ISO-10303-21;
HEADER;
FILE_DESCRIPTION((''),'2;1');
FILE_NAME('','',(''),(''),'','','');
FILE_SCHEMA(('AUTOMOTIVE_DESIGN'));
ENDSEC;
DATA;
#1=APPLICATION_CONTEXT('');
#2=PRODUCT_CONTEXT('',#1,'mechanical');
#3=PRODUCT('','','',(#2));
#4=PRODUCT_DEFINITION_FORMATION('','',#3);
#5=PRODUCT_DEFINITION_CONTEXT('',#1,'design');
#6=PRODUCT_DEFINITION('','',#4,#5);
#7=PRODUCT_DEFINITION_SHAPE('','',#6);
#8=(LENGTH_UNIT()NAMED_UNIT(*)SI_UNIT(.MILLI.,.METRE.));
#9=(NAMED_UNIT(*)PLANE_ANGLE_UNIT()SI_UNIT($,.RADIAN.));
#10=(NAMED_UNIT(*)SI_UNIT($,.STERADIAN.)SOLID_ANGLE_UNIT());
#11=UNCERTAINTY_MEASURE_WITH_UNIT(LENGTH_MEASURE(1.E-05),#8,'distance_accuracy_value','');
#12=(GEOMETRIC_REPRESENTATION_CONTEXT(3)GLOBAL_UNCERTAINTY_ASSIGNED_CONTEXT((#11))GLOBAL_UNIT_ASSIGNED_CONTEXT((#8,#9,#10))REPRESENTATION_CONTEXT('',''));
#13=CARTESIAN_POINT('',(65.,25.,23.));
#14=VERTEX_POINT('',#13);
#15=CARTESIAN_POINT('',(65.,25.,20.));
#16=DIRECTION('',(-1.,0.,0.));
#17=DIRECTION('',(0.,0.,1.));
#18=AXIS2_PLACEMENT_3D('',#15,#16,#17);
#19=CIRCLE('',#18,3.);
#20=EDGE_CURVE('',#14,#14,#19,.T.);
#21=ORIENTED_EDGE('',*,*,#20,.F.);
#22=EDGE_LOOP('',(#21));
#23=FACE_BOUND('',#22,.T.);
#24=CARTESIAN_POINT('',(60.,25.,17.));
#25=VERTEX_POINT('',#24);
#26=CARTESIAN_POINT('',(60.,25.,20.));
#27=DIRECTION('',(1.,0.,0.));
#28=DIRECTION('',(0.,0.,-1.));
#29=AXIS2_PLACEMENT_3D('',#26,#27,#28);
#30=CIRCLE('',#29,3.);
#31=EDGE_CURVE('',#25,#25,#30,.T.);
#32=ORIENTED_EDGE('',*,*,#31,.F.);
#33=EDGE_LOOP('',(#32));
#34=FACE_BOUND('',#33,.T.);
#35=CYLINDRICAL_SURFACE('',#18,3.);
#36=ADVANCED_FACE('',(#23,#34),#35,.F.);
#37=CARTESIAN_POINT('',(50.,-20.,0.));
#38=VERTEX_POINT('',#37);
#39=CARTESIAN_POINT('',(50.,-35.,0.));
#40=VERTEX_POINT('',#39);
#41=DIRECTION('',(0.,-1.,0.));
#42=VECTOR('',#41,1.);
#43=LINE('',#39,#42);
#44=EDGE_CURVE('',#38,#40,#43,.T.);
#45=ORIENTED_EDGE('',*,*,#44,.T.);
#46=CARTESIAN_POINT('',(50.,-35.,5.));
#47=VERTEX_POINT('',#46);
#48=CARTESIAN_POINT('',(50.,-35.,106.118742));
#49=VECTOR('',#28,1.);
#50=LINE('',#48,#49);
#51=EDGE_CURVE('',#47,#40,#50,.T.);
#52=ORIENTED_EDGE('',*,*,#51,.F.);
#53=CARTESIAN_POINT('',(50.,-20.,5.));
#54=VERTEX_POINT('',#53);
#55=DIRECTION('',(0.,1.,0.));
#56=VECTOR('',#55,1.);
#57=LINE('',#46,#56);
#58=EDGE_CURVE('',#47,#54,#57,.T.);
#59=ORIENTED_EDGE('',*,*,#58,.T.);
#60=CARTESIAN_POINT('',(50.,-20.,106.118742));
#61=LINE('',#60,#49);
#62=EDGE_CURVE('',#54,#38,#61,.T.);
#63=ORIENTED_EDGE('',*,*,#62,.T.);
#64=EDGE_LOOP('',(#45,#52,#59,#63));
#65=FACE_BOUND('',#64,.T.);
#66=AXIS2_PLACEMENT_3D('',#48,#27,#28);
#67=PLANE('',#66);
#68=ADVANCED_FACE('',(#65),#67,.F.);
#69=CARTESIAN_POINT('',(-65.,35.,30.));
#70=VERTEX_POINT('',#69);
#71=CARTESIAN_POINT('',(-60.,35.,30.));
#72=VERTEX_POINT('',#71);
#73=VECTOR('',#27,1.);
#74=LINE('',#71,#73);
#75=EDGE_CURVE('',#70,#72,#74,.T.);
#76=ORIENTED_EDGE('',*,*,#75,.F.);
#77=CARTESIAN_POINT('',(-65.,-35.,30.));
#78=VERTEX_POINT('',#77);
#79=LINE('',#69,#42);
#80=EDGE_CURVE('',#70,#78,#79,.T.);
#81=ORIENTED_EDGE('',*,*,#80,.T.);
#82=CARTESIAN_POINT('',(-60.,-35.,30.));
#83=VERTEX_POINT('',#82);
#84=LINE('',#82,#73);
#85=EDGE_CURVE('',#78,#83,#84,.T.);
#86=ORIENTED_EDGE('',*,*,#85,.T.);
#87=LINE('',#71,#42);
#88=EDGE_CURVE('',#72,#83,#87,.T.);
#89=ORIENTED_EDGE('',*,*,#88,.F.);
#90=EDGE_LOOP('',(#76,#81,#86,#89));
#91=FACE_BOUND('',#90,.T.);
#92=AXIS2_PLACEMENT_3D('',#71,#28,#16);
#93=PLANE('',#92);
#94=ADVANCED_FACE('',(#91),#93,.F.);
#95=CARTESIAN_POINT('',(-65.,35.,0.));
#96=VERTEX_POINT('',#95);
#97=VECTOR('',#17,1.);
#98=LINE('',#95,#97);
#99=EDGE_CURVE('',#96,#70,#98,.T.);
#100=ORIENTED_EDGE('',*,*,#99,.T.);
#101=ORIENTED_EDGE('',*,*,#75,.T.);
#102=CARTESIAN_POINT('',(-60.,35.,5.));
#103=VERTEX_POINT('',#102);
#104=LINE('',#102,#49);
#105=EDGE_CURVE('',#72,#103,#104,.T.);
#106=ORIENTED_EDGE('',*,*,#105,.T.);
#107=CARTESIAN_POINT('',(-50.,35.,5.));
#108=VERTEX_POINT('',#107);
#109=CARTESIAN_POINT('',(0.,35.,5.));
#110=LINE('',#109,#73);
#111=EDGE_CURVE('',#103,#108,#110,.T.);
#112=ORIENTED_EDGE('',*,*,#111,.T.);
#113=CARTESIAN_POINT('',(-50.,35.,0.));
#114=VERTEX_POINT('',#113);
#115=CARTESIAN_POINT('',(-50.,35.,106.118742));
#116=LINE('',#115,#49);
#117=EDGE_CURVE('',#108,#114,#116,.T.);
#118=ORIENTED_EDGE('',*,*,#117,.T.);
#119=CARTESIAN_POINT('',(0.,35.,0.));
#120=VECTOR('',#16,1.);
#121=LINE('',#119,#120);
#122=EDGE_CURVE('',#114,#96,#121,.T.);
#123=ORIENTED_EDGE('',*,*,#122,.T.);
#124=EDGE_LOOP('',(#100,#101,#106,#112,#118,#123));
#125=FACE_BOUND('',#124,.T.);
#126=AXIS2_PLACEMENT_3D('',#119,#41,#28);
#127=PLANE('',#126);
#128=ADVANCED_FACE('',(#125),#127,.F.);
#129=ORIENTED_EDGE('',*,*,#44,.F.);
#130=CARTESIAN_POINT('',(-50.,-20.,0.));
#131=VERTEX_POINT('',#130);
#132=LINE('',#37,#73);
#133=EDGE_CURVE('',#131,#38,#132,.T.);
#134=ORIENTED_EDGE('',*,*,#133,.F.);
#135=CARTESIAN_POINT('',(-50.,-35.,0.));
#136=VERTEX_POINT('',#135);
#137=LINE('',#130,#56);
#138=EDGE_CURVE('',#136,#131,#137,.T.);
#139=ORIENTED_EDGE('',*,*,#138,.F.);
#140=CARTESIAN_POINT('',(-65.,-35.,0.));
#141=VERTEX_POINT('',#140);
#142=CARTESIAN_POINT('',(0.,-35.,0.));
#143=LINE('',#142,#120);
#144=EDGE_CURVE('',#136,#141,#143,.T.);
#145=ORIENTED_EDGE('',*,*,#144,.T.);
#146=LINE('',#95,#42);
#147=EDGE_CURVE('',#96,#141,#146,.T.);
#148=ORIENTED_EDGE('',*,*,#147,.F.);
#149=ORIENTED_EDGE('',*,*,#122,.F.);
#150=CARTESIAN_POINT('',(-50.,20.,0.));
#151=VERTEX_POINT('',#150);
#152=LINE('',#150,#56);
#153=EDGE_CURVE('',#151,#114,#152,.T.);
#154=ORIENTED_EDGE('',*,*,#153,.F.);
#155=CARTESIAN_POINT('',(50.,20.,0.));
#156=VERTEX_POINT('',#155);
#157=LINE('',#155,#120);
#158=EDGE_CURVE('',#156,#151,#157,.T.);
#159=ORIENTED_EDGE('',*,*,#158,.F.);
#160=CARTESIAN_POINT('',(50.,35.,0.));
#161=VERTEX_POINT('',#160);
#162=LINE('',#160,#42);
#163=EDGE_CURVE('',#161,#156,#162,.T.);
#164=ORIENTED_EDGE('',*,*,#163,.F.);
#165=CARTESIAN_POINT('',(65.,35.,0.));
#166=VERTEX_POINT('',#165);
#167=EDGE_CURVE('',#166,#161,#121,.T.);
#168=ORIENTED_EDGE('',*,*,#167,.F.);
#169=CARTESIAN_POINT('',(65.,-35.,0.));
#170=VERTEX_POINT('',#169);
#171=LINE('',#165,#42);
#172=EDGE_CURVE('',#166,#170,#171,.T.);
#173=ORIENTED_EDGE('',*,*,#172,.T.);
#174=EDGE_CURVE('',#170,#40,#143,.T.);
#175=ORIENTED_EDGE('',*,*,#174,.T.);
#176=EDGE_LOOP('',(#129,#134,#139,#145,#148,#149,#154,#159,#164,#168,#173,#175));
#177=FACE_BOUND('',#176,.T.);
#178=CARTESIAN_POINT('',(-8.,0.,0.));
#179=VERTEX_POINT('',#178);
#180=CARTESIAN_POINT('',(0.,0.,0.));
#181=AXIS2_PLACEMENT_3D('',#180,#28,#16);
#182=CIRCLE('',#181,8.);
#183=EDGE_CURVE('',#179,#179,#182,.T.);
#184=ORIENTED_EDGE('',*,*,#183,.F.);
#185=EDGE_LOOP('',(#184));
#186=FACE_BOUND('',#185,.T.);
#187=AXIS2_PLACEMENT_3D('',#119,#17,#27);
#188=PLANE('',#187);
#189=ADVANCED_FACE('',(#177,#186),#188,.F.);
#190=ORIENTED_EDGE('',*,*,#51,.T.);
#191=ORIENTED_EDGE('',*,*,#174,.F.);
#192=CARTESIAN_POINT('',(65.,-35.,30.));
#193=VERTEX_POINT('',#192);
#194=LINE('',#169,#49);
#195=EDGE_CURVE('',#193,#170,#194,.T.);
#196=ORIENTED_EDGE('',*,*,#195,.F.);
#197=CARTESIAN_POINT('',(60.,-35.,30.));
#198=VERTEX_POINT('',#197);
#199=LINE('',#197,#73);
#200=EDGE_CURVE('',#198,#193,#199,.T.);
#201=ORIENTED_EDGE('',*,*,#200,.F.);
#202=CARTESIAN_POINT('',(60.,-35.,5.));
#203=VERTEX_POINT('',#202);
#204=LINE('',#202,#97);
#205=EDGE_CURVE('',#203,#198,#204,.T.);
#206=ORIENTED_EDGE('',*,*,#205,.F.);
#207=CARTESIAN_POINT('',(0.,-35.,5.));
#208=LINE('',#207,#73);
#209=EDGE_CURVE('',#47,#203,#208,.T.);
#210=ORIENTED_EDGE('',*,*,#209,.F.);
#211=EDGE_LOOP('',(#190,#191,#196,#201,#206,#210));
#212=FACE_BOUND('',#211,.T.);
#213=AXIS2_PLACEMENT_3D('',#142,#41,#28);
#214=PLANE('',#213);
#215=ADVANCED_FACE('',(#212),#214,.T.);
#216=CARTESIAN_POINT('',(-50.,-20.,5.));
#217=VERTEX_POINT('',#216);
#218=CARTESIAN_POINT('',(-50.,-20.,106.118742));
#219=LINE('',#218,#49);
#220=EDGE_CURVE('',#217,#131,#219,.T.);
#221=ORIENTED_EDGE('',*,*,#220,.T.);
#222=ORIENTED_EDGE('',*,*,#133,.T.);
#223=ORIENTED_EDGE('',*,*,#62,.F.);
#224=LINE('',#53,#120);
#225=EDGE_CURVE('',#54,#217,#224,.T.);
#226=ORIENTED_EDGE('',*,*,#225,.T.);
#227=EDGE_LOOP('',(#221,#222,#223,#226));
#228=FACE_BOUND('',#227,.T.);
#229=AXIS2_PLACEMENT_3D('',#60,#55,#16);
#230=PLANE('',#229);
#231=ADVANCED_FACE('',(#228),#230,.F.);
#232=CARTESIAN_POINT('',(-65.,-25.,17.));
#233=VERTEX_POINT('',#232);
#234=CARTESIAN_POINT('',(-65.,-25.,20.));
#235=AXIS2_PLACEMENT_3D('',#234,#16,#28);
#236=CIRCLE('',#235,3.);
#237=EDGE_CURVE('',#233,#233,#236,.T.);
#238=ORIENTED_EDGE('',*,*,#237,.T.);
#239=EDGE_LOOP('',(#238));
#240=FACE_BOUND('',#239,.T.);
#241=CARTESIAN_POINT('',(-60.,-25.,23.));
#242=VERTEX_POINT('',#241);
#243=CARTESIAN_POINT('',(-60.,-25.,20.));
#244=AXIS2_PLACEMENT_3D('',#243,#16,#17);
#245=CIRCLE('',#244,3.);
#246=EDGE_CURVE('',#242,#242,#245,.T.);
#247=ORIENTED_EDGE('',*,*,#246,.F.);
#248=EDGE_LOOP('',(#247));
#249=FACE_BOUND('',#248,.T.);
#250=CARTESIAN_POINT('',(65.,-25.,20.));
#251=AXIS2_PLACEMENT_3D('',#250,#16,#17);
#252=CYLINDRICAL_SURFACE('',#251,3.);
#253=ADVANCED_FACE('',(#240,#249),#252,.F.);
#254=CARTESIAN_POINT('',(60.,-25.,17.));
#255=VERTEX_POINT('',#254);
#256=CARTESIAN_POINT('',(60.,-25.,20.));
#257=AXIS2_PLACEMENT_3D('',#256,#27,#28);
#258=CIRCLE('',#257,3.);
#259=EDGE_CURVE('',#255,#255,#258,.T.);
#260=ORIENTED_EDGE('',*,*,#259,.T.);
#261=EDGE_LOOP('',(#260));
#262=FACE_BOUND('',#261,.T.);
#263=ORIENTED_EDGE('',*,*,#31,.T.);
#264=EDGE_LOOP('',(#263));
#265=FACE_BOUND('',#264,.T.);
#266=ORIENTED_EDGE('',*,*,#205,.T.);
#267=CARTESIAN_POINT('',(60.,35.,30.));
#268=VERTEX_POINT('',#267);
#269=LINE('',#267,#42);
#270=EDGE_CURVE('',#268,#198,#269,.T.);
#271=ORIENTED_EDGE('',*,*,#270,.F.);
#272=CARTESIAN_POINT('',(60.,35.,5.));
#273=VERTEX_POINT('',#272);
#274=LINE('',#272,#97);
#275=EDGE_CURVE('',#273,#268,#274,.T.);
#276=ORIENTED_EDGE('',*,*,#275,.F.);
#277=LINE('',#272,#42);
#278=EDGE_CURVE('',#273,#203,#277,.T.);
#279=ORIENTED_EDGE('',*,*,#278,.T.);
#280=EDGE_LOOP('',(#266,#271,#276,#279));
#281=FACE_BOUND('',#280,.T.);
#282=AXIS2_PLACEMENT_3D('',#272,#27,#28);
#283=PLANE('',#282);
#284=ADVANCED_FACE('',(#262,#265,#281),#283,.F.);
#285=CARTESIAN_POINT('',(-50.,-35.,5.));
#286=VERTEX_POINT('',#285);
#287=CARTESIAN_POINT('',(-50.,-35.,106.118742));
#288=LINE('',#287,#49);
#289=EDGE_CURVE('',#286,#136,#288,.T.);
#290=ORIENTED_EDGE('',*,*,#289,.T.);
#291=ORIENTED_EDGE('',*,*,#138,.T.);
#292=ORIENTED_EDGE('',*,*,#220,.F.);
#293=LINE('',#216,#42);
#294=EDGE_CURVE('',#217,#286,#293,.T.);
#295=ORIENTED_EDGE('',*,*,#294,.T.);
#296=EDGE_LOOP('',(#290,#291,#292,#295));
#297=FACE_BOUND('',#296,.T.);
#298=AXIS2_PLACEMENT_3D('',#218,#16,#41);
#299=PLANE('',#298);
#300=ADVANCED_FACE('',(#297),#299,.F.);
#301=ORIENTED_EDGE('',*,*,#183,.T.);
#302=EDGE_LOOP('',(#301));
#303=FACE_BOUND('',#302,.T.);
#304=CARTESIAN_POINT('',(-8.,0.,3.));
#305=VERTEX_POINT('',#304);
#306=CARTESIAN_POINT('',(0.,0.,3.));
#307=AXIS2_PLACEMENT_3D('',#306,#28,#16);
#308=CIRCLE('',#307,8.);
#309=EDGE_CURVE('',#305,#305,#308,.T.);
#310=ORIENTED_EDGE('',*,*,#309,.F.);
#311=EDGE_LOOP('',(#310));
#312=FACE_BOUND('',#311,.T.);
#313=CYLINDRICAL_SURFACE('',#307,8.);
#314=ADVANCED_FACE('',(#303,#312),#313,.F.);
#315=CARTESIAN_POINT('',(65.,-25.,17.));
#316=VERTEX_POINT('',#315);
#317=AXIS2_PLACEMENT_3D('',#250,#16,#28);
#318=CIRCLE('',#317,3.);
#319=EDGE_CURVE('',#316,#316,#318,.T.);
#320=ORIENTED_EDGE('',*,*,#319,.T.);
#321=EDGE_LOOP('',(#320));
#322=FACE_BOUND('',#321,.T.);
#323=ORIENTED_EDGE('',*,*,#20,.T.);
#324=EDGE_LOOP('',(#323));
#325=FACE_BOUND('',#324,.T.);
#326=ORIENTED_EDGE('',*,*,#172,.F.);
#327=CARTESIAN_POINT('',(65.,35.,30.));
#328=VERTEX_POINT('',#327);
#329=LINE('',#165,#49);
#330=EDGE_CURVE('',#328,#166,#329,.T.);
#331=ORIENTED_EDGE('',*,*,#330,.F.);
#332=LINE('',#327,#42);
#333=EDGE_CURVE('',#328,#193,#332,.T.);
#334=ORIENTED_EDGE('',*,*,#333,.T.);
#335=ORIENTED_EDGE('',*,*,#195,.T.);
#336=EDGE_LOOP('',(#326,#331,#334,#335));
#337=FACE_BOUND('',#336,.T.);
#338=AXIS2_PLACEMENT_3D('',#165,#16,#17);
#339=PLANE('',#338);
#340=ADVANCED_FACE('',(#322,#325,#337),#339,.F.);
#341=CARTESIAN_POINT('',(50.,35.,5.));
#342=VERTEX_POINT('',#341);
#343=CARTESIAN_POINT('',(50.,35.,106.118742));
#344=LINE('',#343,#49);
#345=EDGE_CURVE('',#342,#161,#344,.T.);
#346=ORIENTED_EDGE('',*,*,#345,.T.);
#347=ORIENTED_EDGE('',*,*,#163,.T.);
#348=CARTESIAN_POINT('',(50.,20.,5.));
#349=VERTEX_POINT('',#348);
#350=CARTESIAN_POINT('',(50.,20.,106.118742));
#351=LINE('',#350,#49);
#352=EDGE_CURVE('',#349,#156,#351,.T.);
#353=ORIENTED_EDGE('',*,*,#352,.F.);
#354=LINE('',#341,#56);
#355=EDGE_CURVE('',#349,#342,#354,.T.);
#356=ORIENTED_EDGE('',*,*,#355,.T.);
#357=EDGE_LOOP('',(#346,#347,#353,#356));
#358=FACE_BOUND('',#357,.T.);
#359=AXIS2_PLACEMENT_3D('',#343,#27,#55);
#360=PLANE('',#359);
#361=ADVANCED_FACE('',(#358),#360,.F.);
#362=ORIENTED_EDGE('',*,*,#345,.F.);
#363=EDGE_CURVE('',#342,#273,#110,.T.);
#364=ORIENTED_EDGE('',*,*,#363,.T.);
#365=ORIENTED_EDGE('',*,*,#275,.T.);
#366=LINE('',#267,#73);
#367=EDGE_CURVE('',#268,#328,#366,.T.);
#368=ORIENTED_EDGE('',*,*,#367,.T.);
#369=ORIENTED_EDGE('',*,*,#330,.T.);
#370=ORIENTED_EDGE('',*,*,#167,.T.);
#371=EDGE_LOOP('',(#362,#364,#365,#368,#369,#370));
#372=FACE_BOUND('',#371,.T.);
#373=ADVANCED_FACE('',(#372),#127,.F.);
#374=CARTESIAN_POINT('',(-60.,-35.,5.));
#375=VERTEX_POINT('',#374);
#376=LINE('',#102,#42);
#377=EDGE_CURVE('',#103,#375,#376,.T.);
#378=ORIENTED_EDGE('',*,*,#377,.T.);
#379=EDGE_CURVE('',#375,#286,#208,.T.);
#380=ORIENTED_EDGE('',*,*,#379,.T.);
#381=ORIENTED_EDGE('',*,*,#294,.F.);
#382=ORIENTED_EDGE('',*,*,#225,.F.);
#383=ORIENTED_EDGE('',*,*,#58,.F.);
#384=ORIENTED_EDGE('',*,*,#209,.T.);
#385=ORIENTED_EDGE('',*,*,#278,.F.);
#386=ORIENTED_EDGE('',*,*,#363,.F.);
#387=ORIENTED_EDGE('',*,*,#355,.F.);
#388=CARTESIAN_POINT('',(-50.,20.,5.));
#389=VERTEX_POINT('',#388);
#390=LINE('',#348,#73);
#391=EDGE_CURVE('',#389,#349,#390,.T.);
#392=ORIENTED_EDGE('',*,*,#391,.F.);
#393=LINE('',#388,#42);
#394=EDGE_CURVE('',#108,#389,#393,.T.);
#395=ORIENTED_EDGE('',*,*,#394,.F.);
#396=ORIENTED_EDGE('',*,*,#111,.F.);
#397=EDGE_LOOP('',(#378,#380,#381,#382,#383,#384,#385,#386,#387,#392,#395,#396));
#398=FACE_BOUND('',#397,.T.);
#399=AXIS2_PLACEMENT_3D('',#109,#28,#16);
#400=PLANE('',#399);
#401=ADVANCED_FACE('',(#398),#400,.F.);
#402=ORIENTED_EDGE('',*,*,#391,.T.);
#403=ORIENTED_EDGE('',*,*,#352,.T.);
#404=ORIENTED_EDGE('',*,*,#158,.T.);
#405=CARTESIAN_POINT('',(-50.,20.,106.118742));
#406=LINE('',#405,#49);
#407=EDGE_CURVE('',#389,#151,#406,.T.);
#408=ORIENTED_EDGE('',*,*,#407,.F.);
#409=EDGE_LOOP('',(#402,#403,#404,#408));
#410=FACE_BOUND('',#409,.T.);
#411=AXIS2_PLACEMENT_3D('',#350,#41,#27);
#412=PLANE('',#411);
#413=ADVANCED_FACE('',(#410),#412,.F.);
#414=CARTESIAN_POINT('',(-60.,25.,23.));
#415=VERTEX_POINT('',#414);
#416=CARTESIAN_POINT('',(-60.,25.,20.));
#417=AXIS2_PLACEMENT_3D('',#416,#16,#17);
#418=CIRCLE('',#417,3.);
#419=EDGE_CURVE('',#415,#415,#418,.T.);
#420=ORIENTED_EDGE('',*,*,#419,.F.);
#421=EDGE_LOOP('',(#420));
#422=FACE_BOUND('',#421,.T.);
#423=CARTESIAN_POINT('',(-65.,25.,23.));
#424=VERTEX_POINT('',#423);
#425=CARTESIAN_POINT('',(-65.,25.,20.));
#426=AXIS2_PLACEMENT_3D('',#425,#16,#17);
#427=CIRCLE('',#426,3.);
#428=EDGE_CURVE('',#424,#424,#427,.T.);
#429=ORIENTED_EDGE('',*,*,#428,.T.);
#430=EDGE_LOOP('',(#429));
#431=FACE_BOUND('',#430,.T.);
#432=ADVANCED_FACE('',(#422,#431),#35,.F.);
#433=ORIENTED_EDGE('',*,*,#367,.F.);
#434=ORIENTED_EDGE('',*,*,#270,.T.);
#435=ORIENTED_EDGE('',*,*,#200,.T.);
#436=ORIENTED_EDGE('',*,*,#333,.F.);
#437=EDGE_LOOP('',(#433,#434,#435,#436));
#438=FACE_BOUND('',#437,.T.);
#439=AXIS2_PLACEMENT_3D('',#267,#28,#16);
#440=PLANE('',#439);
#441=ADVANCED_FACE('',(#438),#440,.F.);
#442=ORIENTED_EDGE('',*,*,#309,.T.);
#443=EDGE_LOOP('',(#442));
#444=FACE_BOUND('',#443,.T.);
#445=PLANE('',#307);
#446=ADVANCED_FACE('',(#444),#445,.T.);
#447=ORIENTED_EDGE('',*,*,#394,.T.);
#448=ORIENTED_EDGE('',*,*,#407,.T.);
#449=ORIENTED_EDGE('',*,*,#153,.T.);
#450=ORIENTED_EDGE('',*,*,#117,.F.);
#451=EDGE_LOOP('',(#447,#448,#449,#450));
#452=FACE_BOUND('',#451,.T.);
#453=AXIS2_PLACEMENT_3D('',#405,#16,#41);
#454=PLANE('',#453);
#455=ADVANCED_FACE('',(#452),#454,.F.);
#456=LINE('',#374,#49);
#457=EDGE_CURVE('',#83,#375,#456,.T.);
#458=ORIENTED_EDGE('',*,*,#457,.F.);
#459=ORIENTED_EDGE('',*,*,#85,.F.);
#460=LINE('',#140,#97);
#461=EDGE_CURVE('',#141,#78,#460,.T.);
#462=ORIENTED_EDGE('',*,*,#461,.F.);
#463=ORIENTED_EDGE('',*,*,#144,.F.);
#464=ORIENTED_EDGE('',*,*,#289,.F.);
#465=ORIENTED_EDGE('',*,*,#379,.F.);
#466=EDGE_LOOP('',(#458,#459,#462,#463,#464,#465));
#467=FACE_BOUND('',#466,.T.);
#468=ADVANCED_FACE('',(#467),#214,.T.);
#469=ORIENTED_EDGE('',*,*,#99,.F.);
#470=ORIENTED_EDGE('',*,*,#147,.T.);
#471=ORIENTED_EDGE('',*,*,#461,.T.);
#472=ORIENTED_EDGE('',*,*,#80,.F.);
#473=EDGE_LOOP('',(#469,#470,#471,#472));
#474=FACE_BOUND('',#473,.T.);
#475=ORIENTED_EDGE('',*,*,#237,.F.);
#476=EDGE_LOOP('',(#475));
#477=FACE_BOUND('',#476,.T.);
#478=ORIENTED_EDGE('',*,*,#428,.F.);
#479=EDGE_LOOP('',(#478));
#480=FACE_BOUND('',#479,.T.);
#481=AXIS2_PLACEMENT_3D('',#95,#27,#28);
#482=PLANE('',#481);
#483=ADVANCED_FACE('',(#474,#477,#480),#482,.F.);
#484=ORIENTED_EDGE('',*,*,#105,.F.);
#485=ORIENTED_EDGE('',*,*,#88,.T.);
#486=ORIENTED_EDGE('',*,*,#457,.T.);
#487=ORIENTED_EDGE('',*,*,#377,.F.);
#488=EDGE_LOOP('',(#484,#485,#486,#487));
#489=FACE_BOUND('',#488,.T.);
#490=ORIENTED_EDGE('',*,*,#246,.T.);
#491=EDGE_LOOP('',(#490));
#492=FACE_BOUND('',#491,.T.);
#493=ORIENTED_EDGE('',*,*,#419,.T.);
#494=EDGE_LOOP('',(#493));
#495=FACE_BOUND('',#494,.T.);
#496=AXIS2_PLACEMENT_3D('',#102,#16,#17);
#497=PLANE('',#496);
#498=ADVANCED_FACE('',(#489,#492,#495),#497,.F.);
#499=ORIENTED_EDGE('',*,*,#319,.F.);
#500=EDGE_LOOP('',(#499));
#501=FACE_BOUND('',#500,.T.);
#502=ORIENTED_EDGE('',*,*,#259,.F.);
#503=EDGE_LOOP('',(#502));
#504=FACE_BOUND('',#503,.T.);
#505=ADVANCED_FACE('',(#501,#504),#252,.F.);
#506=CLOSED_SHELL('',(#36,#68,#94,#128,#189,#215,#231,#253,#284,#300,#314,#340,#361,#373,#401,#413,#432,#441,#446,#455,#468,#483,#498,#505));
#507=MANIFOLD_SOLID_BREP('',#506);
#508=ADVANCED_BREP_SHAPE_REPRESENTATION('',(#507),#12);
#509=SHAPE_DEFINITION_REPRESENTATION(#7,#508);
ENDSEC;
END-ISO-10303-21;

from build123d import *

# Parameters (mm, degrees)
BOSS_EXTRUDE1_DEPTH = 35
SKETCH2_W           = 100
SKETCH2_H           = 15
CUT_EXTRUDE1_DEPTH  = 5
SKETCH3_R           = 3
CUT_EXTRUDE2_DEPTH  = 138.931142241
SKETCH4_R           = 8
CUT_EXTRUDE3_DEPTH  = 3


with BuildPart() as part:
    # Sketch1 → Boss-Extrude1 (new, symmetric)
    with BuildSketch(Plane(origin=(0, 0, 0), x_dir=(1, 0, 0), z_dir=(0, 1, 0))):
        Polygon((0, 0), (65, 0), (65, -30), (60, -30), (60, -5), (0, -5), (-60, -5), (-60, -30), (-65, -30), (-65, 0), align=None)
    extrude(amount=BOSS_EXTRUDE1_DEPTH, both=True)

    # Sketch2 → Cut-Extrude1 (cut)
    with BuildSketch(Plane(origin=(0, 0, 0), x_dir=(-1, 0, 0), z_dir=(0, 0, -1))):
        with Locations((0, -27.5)):
            Rectangle(SKETCH2_W, SKETCH2_H)
        with Locations((0, 27.5)):
            Rectangle(SKETCH2_W, SKETCH2_H)
    extrude(amount=-CUT_EXTRUDE1_DEPTH, mode=Mode.SUBTRACT)

    # Sketch3 → Cut-Extrude2 (cut, through all)
    with BuildSketch(Plane.ZY.offset(65)):
        with Locations((20, 25)):
            Circle(SKETCH3_R)
        with Locations(Location((20, -25, 0), (0, 0, 180))):
            Circle(SKETCH3_R)
    extrude(amount=-CUT_EXTRUDE2_DEPTH, mode=Mode.SUBTRACT)

    # Sketch4 → Cut-Extrude3 (cut)
    with BuildSketch(Plane(origin=(0, 0, 0), x_dir=(-1, 0, 0), z_dir=(0, 0, -1))):
        Circle(SKETCH4_R)
    extrude(amount=-CUT_EXTRUDE3_DEPTH, mode=Mode.SUBTRACT)


solid = part.part
